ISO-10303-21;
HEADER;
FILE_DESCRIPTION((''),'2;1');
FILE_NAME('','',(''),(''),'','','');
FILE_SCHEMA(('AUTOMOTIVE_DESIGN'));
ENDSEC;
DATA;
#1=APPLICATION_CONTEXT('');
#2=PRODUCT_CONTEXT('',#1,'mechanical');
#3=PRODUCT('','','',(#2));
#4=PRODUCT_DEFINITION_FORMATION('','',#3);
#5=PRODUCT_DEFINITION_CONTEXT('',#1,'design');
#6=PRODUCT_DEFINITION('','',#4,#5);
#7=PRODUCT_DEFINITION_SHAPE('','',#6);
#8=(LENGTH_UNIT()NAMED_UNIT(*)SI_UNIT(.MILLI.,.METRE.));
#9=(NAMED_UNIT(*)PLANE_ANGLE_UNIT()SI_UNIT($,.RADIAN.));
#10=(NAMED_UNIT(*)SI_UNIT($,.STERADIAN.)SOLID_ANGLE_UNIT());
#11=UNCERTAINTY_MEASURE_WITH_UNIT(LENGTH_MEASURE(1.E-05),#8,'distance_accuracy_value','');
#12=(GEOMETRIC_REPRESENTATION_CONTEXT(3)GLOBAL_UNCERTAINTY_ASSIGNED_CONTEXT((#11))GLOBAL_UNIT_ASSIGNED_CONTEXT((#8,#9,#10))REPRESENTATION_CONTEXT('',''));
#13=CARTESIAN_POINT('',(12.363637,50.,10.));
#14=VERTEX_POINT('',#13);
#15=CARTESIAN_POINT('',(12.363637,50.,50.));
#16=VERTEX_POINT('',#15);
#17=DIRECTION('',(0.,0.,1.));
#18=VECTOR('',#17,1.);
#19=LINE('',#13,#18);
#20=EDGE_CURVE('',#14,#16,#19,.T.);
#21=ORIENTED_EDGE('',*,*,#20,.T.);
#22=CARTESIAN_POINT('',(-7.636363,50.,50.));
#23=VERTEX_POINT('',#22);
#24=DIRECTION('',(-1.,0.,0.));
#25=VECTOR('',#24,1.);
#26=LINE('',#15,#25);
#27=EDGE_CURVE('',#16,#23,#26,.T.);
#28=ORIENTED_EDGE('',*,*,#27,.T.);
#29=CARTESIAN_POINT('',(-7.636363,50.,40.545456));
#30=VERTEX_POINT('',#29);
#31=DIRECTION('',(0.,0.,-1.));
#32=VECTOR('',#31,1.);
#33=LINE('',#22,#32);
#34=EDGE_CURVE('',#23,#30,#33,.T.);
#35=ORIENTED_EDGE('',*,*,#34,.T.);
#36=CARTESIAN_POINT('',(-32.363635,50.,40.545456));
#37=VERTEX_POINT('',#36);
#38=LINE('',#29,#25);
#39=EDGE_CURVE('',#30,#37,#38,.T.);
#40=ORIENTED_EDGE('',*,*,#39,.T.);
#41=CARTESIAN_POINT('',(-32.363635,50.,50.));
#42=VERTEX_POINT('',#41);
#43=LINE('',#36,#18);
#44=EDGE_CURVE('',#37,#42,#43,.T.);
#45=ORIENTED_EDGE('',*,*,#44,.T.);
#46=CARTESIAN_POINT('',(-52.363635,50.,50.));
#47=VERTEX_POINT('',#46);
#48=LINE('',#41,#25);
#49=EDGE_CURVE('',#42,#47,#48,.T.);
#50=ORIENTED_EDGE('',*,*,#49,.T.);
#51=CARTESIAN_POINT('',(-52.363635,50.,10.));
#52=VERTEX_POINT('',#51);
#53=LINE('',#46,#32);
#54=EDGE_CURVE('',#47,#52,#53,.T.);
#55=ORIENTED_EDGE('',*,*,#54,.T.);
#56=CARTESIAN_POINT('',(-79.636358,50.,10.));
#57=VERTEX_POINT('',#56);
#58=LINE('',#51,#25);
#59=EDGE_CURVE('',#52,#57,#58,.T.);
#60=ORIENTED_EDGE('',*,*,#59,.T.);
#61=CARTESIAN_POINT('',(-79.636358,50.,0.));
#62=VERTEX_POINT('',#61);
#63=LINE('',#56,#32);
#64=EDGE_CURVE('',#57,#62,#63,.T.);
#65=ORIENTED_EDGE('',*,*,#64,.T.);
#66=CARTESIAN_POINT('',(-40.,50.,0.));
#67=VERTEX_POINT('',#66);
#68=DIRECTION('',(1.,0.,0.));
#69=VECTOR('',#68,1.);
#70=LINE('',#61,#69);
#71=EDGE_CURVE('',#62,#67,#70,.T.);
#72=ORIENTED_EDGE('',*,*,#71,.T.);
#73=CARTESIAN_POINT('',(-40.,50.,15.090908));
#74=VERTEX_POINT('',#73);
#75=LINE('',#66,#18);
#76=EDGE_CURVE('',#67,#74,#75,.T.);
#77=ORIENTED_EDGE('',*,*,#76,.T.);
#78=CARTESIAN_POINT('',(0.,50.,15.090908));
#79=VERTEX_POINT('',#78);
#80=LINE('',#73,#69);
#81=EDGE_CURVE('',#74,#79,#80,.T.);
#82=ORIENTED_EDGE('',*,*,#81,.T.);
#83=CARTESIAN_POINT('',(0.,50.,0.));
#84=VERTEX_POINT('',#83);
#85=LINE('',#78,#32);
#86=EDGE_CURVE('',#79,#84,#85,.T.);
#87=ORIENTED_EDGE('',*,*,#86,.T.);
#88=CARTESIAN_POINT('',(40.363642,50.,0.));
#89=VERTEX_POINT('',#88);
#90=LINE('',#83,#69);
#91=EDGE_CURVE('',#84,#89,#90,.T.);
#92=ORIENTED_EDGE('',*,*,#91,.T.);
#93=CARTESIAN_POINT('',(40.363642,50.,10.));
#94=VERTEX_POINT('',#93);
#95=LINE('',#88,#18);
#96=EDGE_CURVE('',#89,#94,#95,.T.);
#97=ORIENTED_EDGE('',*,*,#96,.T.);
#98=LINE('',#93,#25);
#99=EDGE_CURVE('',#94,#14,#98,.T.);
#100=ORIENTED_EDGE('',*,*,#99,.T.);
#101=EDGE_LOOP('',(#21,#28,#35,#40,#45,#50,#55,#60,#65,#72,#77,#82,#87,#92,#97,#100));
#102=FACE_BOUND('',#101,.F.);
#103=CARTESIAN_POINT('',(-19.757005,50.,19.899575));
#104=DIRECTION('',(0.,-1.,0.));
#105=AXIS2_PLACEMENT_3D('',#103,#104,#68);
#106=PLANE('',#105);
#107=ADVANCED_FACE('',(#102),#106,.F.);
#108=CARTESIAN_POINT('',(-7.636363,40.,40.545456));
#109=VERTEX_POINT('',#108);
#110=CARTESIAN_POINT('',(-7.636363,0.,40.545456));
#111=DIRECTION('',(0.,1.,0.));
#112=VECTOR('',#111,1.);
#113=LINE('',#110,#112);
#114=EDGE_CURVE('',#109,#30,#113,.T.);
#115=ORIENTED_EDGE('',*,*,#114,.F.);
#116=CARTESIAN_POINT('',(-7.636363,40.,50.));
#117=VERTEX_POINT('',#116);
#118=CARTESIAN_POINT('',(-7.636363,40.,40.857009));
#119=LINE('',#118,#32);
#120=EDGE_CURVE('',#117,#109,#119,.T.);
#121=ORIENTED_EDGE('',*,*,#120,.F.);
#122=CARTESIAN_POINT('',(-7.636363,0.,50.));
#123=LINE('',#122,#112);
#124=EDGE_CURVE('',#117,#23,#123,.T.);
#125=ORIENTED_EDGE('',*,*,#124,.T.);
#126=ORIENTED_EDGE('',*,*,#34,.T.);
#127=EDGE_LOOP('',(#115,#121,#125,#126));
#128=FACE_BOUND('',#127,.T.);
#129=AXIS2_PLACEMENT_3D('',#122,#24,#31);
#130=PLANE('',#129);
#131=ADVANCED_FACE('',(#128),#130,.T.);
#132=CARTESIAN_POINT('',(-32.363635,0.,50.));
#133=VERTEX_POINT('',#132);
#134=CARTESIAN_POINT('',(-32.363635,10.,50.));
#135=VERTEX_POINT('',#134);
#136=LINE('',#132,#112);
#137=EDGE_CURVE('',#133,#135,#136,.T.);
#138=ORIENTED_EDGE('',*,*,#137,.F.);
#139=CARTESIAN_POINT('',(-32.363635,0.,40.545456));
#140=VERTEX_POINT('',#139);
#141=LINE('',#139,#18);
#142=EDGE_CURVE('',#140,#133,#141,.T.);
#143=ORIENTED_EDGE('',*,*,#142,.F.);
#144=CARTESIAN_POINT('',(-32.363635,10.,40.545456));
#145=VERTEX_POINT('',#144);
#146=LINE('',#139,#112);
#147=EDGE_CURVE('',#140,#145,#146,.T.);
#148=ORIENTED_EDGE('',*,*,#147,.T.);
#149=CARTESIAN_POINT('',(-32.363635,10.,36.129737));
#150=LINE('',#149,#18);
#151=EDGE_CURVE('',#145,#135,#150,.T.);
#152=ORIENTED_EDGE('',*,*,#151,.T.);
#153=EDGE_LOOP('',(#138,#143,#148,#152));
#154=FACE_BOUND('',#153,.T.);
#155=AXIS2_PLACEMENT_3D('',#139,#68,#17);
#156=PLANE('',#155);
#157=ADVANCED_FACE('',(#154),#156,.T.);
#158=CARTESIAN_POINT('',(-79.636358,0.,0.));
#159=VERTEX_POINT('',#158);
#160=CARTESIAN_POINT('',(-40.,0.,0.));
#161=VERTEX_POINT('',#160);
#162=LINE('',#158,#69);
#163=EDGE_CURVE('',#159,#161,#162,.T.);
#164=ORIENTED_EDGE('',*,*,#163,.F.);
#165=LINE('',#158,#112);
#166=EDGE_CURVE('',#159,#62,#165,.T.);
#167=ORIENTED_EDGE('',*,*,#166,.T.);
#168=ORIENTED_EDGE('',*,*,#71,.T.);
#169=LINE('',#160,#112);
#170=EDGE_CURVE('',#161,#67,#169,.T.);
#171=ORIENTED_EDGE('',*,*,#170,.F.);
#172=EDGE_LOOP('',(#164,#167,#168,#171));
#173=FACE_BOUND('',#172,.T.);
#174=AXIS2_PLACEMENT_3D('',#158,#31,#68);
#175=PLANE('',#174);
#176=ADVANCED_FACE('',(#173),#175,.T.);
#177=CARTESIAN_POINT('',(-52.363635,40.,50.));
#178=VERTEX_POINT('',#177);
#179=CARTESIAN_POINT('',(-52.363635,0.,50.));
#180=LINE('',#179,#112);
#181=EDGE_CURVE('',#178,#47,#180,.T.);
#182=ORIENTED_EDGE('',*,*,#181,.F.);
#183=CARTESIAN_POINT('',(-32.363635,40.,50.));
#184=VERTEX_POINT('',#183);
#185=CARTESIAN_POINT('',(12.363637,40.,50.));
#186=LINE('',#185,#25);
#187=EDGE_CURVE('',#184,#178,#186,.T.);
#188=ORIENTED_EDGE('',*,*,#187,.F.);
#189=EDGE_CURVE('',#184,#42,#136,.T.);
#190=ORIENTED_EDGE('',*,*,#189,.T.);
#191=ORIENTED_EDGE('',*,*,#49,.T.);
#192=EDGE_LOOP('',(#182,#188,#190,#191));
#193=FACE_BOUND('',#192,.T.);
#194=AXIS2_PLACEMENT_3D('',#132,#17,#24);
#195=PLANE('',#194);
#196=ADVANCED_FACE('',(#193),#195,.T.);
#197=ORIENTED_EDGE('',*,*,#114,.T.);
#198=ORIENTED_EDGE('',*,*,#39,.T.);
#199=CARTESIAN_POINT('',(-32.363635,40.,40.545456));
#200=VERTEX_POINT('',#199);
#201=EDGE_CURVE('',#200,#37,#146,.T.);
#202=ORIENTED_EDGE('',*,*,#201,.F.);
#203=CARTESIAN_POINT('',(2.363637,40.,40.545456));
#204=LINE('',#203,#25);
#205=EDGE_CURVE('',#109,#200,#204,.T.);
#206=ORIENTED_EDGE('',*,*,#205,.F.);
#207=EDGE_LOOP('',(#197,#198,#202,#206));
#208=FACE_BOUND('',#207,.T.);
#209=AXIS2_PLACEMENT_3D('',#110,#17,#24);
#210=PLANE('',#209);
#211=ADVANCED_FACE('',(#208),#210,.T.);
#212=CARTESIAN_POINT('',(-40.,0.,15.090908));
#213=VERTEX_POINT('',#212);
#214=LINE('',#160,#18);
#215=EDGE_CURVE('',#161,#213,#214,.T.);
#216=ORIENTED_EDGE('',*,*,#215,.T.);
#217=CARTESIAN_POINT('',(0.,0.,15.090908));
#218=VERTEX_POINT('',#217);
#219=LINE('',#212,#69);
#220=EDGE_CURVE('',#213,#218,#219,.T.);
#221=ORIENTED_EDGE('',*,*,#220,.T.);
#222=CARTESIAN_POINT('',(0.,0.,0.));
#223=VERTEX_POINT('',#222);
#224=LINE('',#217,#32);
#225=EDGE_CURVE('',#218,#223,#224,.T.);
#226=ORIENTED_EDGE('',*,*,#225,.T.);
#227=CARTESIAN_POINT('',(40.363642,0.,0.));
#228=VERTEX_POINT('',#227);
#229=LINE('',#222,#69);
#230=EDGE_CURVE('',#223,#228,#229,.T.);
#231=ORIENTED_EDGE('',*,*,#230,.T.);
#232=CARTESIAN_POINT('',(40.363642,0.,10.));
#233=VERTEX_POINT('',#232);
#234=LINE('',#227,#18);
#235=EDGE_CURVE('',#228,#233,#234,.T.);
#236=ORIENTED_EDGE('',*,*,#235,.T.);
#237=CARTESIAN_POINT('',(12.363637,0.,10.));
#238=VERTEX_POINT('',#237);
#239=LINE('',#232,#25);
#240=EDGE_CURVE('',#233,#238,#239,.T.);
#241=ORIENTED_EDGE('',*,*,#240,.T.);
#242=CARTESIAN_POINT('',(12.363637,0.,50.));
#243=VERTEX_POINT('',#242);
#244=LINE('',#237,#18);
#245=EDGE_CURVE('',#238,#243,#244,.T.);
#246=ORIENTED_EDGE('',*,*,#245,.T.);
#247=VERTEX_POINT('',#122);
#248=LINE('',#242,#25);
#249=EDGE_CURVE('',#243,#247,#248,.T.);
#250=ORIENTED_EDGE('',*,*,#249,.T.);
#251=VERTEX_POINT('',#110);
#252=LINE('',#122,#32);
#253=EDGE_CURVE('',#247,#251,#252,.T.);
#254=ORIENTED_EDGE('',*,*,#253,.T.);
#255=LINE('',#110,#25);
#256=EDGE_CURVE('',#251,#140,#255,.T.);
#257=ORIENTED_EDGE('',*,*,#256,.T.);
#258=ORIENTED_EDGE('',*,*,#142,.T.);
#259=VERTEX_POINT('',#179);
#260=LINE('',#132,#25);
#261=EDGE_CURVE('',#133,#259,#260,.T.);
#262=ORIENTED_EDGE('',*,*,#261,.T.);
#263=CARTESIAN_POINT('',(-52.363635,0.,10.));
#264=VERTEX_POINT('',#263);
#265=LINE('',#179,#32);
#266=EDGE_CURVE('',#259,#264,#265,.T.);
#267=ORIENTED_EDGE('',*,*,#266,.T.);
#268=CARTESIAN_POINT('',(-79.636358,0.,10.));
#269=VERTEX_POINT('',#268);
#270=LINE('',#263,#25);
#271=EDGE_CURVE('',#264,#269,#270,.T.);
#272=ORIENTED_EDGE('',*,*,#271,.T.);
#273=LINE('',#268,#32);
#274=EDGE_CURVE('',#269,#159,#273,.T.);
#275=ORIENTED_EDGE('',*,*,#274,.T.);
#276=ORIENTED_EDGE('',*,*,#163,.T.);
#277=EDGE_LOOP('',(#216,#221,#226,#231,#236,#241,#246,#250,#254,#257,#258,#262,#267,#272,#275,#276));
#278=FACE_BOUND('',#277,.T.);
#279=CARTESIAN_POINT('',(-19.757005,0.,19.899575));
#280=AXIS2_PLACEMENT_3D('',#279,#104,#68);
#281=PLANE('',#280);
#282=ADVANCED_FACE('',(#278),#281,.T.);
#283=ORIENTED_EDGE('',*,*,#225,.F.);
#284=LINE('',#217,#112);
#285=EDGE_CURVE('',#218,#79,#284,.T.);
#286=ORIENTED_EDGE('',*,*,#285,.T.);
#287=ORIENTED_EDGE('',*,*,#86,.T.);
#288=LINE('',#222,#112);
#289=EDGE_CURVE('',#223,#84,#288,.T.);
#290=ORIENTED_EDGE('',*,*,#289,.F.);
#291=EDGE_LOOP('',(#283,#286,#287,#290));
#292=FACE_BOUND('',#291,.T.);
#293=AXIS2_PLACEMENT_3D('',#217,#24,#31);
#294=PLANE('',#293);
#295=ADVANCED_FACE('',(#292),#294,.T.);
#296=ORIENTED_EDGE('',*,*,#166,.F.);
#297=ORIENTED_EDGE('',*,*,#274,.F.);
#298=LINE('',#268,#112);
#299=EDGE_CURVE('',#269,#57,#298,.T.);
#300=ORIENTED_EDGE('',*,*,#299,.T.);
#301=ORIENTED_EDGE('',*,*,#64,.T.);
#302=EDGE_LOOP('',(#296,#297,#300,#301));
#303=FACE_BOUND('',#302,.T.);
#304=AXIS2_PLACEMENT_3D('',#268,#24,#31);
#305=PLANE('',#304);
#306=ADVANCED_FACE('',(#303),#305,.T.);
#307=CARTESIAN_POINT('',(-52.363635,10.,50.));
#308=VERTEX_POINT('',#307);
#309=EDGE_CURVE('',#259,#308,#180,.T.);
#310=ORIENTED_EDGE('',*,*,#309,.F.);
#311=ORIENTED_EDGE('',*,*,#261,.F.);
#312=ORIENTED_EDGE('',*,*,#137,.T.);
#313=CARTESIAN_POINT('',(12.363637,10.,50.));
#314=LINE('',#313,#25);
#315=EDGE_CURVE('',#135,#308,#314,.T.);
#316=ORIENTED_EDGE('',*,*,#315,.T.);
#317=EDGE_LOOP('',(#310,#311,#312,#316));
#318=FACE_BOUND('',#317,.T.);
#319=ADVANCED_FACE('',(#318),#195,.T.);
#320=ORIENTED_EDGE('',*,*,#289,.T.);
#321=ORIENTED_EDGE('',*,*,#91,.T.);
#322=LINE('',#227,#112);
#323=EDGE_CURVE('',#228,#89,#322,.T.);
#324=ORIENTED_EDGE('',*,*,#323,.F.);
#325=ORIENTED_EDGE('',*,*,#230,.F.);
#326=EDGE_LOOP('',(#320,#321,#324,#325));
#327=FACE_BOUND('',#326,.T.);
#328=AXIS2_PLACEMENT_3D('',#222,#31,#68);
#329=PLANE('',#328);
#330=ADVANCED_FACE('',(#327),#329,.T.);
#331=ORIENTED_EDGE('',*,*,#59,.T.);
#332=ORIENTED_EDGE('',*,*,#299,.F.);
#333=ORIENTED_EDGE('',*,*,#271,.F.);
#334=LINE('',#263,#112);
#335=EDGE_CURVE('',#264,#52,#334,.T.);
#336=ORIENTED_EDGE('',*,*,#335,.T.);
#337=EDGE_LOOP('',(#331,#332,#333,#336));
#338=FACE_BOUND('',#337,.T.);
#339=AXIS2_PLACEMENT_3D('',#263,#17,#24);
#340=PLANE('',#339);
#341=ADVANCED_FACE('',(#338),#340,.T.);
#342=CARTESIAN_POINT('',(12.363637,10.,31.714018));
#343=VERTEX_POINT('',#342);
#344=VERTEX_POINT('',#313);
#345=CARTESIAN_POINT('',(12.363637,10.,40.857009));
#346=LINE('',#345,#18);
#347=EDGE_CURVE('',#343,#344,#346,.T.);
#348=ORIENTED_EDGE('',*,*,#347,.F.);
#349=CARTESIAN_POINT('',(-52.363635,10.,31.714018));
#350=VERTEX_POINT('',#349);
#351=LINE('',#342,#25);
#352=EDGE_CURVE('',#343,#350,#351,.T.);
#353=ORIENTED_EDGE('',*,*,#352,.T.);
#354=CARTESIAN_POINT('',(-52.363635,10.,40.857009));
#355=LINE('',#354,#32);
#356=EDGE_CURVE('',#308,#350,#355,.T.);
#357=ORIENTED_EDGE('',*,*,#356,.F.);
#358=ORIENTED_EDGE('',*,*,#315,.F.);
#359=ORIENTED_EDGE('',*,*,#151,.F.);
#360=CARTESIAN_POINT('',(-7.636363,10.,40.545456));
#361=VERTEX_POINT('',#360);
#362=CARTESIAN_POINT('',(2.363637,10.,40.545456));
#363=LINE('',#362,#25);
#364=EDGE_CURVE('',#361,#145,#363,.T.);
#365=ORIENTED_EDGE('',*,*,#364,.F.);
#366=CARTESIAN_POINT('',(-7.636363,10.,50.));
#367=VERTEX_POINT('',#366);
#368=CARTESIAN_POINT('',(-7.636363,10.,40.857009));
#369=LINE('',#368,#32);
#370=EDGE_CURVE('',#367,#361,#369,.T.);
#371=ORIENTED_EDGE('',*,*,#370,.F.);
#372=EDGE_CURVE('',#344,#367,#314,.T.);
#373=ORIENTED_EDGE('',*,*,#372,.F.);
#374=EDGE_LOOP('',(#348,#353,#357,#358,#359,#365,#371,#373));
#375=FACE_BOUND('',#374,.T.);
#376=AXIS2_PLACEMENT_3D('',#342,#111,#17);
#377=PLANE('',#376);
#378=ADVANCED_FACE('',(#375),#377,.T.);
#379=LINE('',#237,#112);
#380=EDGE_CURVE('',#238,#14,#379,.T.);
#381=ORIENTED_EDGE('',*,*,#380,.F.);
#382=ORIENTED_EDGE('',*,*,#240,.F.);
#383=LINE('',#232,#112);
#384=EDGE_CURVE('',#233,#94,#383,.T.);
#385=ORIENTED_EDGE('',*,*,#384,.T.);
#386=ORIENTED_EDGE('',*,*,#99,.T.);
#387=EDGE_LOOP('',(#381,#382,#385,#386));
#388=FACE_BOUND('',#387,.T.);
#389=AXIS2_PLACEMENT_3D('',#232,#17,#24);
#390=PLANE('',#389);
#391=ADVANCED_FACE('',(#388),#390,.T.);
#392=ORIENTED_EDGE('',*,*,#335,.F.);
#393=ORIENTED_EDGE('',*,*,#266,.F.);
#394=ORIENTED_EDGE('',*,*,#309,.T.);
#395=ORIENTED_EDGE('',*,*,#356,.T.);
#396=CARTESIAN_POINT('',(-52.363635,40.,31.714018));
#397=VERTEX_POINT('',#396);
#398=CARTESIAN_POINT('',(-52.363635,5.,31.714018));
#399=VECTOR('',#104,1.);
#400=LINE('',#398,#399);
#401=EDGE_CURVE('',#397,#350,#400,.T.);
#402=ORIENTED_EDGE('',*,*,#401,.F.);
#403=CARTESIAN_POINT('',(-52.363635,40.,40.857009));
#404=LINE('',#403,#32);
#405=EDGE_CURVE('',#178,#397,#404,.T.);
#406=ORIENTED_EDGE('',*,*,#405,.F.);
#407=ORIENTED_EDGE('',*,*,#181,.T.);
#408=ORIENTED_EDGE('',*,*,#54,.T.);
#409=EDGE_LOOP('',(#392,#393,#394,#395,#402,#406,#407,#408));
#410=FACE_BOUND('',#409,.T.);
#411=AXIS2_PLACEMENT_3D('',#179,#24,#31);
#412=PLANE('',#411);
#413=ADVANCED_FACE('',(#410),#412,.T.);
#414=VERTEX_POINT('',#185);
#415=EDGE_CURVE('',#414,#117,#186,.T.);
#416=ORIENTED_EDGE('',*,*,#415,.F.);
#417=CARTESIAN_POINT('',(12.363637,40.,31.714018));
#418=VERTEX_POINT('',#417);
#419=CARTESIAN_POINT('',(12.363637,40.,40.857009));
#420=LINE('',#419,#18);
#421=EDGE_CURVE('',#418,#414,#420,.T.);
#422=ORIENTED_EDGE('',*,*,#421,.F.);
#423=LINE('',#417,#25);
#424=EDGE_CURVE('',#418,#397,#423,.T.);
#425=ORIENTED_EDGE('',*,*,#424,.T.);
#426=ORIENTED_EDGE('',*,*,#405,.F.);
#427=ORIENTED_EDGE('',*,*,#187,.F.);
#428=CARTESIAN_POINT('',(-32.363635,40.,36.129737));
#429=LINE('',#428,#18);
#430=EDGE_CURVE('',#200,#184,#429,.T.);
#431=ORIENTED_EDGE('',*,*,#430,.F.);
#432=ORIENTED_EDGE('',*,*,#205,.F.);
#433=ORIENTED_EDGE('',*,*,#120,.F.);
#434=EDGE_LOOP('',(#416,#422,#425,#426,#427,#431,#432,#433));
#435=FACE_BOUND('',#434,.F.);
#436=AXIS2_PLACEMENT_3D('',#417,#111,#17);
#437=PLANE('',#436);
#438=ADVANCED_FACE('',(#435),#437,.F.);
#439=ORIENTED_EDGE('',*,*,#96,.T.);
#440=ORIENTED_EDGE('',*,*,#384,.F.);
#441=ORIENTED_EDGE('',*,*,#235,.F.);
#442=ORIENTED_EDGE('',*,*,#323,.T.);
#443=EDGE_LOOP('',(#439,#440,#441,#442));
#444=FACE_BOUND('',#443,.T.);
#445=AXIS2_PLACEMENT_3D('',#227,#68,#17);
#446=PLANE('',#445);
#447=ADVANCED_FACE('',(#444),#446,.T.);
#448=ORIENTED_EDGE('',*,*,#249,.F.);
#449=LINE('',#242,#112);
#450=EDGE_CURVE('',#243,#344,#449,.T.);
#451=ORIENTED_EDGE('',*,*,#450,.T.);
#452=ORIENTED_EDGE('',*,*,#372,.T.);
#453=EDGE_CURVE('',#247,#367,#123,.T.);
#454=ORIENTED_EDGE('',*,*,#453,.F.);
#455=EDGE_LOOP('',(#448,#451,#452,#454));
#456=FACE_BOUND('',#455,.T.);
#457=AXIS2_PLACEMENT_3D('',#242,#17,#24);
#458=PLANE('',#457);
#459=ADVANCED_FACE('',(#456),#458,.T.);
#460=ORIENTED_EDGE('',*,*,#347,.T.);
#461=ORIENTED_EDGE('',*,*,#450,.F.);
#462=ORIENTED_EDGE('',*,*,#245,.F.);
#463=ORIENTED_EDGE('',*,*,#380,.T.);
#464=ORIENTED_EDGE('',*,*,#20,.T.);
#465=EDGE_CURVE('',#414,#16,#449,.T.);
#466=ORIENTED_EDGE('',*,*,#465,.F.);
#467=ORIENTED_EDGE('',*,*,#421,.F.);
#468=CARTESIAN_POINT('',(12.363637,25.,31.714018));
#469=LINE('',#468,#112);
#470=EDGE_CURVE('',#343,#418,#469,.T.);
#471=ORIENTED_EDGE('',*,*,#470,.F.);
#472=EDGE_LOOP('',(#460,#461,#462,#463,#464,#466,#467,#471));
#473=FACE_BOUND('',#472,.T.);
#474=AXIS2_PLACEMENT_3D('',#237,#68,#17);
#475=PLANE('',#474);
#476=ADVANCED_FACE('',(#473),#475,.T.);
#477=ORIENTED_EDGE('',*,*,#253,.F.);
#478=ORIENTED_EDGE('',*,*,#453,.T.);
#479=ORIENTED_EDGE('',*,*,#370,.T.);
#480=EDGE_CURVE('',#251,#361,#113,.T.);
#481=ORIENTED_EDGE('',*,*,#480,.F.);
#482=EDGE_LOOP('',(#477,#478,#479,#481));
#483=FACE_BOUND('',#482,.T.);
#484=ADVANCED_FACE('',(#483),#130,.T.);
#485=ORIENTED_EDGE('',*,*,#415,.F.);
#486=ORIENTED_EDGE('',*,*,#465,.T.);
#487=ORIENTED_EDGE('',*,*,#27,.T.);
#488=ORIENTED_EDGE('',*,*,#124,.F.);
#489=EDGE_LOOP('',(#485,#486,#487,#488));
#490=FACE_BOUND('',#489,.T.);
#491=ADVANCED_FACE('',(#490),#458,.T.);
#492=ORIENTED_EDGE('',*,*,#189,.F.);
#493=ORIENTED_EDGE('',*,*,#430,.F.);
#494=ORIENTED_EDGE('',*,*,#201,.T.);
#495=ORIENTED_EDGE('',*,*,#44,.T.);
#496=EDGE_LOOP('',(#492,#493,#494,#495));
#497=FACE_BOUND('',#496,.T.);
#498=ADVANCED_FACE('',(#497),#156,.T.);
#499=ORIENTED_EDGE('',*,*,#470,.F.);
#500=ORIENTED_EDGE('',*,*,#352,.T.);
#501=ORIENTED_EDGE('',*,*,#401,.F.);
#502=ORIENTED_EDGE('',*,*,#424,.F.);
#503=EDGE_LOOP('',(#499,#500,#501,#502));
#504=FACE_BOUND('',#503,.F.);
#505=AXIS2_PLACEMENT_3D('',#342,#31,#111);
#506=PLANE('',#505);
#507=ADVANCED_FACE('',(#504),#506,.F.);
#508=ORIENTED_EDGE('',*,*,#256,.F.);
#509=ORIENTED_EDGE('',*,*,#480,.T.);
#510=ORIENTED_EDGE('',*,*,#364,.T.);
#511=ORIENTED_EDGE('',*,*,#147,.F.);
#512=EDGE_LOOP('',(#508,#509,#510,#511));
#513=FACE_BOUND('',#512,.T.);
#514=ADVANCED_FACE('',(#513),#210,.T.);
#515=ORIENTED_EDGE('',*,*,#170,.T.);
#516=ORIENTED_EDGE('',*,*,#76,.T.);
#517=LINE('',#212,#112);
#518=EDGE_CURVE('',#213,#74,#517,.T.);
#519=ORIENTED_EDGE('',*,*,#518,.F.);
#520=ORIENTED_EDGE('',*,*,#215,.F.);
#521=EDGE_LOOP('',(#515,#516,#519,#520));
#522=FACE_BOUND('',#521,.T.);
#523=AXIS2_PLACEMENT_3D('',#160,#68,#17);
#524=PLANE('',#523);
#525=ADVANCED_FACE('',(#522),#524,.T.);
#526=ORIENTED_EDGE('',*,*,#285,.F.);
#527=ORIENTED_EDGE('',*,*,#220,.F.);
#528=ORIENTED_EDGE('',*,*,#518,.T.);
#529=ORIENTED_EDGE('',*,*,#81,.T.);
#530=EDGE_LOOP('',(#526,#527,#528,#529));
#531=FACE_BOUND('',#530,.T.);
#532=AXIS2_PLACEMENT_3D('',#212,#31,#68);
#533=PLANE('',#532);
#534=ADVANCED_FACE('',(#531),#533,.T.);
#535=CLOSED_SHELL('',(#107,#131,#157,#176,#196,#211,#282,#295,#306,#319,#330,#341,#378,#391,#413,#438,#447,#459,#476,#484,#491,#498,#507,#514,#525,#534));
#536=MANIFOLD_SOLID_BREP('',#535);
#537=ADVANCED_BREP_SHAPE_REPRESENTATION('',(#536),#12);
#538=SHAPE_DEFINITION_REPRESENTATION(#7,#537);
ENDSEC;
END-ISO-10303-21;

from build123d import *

# Parameters (mm, degrees)
F1_DEPTH = 50
F2_W     = 30
F2_H     = 18.285982
F3_DEPTH = 92.000995


with BuildPart() as f1:
    # F0 (on Front) → F1 (new body)
    with BuildSketch(Plane.XZ):
        Polygon((0, 15.090908), (0, 0), (40.363642, 0), (40.363642, 10), (12.363637, 10), (12.363637, 50), (-7.636363, 50), (-7.636363, 40.545456), (-32.363635, 40.545456), (-32.363635, 50), (-52.363635, 50), (-52.363635, 10), (-79.636358, 10), (-79.636358, 0), (-40, 0), (-40, 15.090908), align=None)
    extrude(amount=-F1_DEPTH)

    # F2 (on face) → F3 (cut, through all)
    with BuildSketch(Plane.YZ.offset(12.363637)):
        with Locations((25, 40.857009)):
            Rectangle(F2_W, F2_H)
    extrude(amount=-F3_DEPTH, mode=Mode.SUBTRACT)


solid = f1.part
